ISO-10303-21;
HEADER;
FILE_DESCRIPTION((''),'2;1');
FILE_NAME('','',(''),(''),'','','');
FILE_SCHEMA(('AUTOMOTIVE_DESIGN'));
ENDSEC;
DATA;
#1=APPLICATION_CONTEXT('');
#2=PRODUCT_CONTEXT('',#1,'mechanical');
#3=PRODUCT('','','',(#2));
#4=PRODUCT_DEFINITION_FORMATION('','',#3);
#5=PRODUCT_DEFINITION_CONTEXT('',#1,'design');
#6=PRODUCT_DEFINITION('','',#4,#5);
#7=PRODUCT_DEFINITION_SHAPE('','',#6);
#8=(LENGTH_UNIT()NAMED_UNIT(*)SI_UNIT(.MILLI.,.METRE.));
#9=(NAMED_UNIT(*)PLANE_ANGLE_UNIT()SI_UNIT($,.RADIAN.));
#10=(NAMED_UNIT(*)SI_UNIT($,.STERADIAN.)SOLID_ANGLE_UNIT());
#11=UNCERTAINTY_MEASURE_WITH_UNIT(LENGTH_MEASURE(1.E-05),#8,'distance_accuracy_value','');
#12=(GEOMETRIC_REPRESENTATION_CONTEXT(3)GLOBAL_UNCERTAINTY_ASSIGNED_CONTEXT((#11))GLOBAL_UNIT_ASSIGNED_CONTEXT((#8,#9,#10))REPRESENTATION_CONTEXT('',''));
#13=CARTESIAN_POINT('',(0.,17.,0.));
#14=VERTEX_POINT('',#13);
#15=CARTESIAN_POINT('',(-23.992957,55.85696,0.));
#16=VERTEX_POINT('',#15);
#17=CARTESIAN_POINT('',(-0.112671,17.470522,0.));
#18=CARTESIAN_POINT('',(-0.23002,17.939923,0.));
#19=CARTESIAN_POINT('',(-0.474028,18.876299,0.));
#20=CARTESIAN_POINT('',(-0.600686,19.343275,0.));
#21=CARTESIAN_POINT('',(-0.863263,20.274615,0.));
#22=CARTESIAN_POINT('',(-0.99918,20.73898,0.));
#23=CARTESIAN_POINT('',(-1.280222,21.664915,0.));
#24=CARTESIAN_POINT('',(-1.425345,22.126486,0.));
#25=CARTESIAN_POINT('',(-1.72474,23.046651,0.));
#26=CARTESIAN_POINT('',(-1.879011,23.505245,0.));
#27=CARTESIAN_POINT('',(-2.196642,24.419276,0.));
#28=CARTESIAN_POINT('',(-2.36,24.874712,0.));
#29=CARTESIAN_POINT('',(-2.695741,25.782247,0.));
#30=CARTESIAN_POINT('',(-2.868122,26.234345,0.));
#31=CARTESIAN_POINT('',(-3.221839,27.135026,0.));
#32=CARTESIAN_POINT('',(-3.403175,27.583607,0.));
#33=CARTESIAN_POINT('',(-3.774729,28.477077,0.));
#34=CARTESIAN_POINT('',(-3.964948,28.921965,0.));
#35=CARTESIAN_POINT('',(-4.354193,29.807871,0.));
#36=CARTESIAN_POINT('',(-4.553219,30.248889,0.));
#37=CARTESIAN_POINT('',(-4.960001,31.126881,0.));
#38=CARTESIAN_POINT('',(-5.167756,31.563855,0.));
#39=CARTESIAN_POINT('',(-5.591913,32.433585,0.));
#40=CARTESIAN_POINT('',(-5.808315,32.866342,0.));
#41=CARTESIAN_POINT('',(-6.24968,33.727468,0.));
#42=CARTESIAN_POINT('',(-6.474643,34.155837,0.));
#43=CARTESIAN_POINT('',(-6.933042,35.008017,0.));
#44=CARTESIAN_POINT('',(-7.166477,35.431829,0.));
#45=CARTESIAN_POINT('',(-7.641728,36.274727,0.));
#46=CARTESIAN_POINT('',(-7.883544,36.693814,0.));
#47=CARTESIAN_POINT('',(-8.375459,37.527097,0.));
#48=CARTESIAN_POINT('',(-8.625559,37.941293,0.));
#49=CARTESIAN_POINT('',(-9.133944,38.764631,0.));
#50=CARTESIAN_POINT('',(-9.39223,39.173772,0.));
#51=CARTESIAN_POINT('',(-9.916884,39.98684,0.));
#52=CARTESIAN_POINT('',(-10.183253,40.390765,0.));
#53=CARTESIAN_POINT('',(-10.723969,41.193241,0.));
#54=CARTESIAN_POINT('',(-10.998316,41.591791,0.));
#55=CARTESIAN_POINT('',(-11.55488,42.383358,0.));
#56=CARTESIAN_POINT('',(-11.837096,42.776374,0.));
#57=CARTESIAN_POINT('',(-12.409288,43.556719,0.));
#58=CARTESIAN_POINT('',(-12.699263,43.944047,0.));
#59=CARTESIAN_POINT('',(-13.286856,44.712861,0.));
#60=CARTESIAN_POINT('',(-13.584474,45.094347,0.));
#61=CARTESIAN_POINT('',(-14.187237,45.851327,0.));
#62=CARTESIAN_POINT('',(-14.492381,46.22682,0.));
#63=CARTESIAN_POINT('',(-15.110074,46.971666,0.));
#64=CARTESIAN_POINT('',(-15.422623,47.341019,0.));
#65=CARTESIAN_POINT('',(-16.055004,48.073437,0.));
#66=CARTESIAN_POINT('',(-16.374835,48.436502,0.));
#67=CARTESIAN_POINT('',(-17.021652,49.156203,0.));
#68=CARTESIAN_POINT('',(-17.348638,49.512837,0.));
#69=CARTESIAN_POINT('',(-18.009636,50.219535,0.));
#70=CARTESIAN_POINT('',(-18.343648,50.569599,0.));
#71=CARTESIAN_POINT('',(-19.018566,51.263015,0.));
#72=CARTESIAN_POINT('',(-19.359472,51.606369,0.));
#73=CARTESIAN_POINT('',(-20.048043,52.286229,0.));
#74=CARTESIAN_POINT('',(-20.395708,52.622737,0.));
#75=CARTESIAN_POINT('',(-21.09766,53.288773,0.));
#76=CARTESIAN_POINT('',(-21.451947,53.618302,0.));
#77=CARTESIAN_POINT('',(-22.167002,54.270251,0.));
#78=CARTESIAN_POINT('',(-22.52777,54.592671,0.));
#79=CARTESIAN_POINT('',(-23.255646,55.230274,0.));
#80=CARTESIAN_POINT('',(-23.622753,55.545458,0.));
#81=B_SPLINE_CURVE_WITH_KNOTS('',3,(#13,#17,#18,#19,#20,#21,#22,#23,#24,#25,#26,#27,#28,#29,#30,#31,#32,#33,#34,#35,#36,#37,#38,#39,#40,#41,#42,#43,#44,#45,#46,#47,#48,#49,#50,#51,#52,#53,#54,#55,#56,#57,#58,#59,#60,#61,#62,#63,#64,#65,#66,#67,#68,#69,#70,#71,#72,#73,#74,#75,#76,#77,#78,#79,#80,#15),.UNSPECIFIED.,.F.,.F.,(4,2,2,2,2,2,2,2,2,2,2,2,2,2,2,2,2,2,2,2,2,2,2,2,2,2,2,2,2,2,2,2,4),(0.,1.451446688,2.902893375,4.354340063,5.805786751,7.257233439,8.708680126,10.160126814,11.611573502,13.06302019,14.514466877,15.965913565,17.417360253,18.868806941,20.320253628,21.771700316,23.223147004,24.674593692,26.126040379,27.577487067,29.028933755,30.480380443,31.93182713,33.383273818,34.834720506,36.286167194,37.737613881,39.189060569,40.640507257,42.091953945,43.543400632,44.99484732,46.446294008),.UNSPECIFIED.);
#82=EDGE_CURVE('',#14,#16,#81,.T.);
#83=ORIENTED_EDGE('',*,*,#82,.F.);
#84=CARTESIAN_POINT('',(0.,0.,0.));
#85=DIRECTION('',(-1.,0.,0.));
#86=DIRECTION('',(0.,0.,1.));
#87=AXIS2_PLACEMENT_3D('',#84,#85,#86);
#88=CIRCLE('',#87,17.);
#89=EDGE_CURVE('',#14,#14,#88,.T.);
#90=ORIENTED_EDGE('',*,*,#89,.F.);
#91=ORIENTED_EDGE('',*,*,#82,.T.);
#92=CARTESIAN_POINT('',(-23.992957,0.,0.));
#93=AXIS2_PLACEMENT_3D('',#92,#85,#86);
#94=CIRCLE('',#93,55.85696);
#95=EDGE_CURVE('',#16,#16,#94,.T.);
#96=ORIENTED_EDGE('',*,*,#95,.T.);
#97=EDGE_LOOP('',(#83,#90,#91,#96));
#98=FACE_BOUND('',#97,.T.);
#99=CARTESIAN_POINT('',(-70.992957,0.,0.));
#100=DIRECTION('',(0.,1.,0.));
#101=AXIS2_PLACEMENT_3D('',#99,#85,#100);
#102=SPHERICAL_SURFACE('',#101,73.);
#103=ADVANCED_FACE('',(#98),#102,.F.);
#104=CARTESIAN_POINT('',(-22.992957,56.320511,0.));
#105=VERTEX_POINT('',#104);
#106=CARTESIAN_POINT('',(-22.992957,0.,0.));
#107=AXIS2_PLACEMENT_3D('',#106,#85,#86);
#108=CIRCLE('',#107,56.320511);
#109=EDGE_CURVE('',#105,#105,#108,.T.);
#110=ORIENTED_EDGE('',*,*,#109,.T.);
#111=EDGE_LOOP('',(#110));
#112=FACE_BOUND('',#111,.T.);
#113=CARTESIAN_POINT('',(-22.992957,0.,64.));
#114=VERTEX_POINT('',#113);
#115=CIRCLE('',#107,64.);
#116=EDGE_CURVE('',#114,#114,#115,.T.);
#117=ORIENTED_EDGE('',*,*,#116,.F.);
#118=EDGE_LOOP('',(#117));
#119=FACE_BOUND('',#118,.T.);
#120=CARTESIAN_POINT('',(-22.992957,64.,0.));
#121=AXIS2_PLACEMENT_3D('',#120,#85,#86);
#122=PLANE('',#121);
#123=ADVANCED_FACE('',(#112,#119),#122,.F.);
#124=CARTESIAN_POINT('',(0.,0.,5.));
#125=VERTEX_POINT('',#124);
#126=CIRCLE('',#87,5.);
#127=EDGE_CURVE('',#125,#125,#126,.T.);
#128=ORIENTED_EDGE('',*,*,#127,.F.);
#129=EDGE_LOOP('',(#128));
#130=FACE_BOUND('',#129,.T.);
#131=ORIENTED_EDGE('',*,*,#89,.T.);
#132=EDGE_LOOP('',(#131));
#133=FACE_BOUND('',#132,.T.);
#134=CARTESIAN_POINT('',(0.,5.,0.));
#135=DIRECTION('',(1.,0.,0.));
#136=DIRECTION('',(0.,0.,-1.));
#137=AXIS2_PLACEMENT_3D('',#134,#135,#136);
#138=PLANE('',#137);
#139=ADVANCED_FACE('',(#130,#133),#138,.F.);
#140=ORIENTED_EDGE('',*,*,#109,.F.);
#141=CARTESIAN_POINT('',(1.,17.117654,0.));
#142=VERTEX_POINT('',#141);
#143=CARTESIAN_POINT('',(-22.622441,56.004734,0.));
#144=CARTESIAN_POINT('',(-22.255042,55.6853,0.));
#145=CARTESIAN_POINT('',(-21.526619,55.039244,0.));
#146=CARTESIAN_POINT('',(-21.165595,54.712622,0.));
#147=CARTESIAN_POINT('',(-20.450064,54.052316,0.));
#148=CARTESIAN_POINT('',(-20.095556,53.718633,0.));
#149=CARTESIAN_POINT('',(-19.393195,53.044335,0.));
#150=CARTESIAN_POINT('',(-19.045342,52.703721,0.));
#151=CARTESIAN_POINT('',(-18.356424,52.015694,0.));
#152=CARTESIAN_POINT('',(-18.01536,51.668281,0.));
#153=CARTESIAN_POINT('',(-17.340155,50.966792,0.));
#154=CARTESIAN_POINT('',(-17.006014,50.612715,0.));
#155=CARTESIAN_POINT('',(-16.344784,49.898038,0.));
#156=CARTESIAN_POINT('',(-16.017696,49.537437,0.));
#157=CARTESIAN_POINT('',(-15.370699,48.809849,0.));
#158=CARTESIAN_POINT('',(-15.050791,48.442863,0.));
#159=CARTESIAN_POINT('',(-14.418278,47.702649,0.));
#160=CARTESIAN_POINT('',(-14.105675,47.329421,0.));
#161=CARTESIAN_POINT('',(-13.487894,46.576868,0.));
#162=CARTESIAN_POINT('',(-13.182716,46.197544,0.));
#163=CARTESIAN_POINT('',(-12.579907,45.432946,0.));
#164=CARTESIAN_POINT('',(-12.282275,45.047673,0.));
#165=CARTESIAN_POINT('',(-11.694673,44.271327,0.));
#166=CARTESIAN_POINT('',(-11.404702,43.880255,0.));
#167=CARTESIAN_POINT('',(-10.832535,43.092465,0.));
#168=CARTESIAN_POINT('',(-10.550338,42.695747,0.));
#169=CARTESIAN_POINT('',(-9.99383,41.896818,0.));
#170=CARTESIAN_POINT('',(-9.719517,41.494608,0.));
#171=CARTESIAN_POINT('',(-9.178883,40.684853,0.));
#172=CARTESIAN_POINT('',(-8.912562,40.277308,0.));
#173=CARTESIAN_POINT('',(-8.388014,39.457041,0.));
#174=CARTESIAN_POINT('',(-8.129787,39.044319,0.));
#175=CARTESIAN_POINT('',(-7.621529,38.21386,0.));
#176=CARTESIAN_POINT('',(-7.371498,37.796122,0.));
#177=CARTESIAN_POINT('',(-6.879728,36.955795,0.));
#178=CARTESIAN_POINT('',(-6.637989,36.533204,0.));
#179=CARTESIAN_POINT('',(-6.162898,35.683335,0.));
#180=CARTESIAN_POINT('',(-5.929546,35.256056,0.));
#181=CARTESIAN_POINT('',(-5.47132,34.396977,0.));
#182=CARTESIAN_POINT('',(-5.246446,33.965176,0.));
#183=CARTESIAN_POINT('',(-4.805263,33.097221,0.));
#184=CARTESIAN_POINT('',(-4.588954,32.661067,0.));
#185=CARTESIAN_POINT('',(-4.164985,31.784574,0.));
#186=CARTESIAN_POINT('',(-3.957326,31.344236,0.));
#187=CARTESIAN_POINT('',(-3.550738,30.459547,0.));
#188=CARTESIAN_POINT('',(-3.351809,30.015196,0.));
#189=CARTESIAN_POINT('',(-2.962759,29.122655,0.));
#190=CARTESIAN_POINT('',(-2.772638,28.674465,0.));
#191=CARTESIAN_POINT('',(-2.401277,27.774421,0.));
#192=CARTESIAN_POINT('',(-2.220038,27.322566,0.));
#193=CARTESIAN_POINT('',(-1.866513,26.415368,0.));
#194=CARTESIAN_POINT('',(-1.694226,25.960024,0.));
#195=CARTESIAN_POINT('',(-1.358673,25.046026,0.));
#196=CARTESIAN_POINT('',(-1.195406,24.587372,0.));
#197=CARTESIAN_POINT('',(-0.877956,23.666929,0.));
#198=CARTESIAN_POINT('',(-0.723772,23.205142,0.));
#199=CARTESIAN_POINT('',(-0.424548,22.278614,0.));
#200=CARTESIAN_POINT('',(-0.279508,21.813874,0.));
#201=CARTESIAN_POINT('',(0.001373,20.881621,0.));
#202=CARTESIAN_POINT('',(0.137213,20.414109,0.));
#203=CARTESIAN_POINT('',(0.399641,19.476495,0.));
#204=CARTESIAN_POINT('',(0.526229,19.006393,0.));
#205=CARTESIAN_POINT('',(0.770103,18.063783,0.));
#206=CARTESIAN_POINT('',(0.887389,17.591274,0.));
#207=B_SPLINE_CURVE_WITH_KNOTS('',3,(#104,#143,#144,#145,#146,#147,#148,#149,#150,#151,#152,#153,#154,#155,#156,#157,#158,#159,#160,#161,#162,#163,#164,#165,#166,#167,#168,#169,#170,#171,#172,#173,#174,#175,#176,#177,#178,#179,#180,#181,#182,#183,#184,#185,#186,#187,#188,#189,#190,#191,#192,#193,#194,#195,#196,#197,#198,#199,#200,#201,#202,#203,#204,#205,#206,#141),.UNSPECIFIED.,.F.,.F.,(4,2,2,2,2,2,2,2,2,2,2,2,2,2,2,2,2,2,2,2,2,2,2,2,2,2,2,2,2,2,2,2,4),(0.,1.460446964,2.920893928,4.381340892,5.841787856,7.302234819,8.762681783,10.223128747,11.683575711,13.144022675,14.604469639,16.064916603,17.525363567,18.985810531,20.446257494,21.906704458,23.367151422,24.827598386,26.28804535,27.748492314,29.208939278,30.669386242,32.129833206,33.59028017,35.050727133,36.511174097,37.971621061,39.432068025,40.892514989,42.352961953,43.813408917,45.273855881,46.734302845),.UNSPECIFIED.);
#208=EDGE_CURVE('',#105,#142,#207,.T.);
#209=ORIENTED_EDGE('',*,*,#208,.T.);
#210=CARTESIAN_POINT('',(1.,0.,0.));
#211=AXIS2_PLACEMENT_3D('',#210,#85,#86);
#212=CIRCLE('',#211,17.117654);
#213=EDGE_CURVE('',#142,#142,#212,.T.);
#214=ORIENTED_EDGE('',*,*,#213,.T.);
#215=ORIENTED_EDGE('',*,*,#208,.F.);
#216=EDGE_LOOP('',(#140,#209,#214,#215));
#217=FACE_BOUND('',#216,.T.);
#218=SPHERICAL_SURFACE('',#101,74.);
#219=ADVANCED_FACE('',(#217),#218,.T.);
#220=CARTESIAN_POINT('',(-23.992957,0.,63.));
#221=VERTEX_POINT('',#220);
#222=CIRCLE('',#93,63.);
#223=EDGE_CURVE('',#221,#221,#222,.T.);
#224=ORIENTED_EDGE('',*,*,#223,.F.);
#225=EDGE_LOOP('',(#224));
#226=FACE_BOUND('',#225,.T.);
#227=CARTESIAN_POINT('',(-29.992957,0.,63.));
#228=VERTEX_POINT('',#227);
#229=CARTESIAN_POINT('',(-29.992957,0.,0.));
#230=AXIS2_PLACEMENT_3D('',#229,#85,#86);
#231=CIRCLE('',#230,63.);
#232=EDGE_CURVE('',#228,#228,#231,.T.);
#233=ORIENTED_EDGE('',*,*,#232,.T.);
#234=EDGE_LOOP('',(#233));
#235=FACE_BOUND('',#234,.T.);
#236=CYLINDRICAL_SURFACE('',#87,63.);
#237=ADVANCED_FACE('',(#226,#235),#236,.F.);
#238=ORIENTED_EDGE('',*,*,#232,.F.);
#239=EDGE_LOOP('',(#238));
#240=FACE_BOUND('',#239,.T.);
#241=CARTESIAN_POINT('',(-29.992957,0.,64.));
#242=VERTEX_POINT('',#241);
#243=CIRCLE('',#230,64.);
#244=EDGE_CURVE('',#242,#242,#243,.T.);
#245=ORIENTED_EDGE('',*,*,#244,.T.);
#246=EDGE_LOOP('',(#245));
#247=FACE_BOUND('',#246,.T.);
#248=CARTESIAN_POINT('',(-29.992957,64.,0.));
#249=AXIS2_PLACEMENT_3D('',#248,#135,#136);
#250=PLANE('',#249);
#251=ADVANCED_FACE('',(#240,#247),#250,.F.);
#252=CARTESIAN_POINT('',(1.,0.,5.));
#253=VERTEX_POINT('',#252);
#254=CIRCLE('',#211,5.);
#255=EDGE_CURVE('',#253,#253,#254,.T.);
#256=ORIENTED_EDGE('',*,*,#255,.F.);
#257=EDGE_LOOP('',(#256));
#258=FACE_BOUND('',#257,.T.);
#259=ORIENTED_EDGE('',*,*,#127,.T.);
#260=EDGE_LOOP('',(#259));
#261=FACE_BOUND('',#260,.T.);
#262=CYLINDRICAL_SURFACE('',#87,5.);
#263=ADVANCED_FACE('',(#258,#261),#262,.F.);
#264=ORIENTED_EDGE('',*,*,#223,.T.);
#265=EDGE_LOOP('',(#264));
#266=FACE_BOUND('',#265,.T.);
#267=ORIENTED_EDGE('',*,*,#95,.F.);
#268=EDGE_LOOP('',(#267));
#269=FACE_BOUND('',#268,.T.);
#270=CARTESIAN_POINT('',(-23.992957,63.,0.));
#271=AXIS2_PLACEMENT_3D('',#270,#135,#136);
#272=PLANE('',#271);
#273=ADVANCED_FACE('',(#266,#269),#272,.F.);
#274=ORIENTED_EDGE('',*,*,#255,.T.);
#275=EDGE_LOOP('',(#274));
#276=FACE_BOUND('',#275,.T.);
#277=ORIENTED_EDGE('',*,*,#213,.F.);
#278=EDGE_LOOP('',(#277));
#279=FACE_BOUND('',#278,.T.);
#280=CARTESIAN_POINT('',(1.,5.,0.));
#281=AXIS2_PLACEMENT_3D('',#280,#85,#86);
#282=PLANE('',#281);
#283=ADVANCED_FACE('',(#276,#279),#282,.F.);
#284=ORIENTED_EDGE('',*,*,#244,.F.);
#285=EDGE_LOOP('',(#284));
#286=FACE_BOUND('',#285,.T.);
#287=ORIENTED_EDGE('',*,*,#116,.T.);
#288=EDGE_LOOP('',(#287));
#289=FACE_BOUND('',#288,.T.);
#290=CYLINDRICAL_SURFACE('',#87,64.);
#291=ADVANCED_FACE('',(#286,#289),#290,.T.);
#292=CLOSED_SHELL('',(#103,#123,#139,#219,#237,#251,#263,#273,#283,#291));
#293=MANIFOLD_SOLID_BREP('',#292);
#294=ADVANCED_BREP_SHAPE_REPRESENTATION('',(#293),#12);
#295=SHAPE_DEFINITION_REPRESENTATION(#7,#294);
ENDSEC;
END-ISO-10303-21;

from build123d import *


with BuildPart() as part:
    # Sketch1 → Revolve1 (revolve)
    with BuildSketch(Plane.XY, mode=Mode.PRIVATE) as revolve1_sk:
        with BuildLine():
            Line((-29.992957397, 63), (-23.992957397, 63))
            Line((-23.992957397, 63), (-23.992957397, 55.856960175))
            ThreePointArc((-23.992957397, 55.856960175), (-8.879751576, 38.352961589), (0, 17))
            Line((0, 17), (0, 5))
            Line((0, 5), (1, 5))
            Line((1, 5), (1, 17.117654197))
            ThreePointArc((1, 17.117654197), (-7.875658194, 38.629089315), (-22.992957397, 56.320511361))
            Line((-22.992957397, 56.320511361), (-22.992957397, 64))
            Line((-22.992957397, 64), (-29.992957397, 64))
            Line((-29.992957397, 64), (-29.992957397, 63))
        make_face()
    revolve(revolve1_sk.sketch.rotate(Axis((0, 0, 0), (1, 0, 0)), 90), axis=Axis((0, 0, 0), (1, 0, 0)))


solid = part.part
